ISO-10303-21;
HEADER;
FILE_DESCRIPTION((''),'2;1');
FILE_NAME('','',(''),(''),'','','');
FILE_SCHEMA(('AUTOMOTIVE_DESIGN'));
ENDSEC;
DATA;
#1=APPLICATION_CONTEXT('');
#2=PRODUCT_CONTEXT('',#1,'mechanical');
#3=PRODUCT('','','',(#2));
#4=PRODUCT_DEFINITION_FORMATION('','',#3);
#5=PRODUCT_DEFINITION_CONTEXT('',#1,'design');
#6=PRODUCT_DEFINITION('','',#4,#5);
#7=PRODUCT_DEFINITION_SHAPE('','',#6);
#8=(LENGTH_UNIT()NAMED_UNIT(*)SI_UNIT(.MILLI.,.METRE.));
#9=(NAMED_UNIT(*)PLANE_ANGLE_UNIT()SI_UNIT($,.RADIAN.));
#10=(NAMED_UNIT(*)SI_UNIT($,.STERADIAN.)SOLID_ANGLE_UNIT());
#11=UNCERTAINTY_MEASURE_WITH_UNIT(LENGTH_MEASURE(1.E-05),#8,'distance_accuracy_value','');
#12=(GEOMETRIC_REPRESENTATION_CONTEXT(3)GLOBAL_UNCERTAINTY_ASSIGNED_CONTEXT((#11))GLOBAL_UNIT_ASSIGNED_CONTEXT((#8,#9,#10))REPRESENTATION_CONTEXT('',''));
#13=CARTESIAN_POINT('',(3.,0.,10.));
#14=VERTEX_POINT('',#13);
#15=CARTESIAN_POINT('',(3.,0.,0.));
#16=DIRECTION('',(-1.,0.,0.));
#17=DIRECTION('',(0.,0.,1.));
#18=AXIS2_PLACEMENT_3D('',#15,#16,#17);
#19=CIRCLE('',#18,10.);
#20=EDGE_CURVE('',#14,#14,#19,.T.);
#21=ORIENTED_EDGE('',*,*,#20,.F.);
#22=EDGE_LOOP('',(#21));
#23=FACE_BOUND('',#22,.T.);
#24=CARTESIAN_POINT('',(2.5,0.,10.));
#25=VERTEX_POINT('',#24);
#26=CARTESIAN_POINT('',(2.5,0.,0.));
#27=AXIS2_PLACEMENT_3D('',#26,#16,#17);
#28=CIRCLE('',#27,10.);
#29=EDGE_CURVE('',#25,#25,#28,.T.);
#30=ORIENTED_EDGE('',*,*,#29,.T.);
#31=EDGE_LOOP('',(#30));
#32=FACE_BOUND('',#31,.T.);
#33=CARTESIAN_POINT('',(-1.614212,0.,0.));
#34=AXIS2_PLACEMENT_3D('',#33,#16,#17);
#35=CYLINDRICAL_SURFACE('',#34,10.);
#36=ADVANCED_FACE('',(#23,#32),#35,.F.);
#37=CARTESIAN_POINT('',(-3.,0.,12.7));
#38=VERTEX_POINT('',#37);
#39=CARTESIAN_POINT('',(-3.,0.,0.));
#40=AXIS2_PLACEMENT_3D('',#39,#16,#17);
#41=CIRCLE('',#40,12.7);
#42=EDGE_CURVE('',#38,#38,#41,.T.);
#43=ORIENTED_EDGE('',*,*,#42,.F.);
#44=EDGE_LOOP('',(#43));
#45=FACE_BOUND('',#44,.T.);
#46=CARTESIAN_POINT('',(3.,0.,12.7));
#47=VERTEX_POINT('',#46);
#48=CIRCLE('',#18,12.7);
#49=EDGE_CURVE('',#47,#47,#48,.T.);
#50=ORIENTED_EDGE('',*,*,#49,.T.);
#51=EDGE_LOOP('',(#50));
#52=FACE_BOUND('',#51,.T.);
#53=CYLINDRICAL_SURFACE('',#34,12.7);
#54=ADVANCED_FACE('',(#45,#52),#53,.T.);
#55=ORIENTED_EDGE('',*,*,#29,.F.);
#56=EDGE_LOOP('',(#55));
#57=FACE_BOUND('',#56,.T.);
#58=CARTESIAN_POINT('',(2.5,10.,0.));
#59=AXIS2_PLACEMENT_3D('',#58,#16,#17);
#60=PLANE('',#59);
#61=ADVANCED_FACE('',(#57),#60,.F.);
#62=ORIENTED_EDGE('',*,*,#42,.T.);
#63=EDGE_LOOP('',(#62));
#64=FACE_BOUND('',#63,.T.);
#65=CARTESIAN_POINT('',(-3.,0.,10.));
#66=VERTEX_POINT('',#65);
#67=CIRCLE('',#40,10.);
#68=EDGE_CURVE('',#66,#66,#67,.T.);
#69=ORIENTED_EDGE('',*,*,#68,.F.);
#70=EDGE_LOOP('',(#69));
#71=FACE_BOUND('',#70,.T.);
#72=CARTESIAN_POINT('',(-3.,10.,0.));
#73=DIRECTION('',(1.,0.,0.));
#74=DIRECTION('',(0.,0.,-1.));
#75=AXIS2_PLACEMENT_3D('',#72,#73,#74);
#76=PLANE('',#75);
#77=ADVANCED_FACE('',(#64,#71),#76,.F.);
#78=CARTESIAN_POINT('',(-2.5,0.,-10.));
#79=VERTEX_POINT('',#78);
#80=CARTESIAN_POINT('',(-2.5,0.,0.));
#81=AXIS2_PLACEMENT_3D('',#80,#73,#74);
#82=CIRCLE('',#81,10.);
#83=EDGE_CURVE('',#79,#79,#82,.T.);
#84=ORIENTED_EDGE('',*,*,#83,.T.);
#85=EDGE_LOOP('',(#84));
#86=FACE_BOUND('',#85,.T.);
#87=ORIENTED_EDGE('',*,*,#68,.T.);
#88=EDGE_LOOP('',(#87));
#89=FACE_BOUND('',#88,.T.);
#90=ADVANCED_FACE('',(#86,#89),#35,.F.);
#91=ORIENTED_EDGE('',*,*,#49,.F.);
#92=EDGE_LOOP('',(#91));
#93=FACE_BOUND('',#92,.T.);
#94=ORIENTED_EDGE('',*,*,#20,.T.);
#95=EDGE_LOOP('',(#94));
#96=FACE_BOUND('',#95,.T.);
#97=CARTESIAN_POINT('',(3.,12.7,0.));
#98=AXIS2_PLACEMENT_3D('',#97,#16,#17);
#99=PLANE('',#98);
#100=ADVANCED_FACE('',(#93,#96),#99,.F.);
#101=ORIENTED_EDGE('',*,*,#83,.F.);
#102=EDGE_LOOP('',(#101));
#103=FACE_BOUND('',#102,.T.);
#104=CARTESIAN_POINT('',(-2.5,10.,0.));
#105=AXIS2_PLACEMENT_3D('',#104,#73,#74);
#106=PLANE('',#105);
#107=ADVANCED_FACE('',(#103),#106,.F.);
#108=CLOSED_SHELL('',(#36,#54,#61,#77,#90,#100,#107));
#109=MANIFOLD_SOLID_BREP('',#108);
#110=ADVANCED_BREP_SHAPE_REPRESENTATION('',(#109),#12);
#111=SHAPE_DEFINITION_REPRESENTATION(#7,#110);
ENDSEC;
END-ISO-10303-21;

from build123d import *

# Parameters (mm, degrees)
SKETCH_1_W = 5
SKETCH_1_H = 10
SKETCH_4_W = 6
SKETCH_4_H = 2.7


with BuildPart() as part:
    # 草图1 → 旋转2 (revolve)
    with BuildSketch(Plane.XY, mode=Mode.PRIVATE) as revolve_2_sk:
        with Locations((0, 5)):
            Rectangle(SKETCH_1_W, SKETCH_1_H)
    revolve(revolve_2_sk.sketch.rotate(Axis((-2.5, 0, 0), (1, 0, 0)), 90), axis=Axis((-2.5, 0, 0), (1, 0, 0)))  # turned: the seam where the file's is

    # 草图4 → 旋转3 (revolve)
    with BuildSketch(Plane.XY, mode=Mode.PRIVATE) as revolve_3_sk:
        with Locations((0, 11.35)):
            Rectangle(SKETCH_4_W, SKETCH_4_H)
    revolve(revolve_3_sk.sketch.rotate(Axis((-1.614212419, 0, 0), (1, 0, 0)), 90), axis=Axis((-1.614212419, 0, 0), (1, 0, 0)))  # turned: the seam where the file's is


solid = part.part
